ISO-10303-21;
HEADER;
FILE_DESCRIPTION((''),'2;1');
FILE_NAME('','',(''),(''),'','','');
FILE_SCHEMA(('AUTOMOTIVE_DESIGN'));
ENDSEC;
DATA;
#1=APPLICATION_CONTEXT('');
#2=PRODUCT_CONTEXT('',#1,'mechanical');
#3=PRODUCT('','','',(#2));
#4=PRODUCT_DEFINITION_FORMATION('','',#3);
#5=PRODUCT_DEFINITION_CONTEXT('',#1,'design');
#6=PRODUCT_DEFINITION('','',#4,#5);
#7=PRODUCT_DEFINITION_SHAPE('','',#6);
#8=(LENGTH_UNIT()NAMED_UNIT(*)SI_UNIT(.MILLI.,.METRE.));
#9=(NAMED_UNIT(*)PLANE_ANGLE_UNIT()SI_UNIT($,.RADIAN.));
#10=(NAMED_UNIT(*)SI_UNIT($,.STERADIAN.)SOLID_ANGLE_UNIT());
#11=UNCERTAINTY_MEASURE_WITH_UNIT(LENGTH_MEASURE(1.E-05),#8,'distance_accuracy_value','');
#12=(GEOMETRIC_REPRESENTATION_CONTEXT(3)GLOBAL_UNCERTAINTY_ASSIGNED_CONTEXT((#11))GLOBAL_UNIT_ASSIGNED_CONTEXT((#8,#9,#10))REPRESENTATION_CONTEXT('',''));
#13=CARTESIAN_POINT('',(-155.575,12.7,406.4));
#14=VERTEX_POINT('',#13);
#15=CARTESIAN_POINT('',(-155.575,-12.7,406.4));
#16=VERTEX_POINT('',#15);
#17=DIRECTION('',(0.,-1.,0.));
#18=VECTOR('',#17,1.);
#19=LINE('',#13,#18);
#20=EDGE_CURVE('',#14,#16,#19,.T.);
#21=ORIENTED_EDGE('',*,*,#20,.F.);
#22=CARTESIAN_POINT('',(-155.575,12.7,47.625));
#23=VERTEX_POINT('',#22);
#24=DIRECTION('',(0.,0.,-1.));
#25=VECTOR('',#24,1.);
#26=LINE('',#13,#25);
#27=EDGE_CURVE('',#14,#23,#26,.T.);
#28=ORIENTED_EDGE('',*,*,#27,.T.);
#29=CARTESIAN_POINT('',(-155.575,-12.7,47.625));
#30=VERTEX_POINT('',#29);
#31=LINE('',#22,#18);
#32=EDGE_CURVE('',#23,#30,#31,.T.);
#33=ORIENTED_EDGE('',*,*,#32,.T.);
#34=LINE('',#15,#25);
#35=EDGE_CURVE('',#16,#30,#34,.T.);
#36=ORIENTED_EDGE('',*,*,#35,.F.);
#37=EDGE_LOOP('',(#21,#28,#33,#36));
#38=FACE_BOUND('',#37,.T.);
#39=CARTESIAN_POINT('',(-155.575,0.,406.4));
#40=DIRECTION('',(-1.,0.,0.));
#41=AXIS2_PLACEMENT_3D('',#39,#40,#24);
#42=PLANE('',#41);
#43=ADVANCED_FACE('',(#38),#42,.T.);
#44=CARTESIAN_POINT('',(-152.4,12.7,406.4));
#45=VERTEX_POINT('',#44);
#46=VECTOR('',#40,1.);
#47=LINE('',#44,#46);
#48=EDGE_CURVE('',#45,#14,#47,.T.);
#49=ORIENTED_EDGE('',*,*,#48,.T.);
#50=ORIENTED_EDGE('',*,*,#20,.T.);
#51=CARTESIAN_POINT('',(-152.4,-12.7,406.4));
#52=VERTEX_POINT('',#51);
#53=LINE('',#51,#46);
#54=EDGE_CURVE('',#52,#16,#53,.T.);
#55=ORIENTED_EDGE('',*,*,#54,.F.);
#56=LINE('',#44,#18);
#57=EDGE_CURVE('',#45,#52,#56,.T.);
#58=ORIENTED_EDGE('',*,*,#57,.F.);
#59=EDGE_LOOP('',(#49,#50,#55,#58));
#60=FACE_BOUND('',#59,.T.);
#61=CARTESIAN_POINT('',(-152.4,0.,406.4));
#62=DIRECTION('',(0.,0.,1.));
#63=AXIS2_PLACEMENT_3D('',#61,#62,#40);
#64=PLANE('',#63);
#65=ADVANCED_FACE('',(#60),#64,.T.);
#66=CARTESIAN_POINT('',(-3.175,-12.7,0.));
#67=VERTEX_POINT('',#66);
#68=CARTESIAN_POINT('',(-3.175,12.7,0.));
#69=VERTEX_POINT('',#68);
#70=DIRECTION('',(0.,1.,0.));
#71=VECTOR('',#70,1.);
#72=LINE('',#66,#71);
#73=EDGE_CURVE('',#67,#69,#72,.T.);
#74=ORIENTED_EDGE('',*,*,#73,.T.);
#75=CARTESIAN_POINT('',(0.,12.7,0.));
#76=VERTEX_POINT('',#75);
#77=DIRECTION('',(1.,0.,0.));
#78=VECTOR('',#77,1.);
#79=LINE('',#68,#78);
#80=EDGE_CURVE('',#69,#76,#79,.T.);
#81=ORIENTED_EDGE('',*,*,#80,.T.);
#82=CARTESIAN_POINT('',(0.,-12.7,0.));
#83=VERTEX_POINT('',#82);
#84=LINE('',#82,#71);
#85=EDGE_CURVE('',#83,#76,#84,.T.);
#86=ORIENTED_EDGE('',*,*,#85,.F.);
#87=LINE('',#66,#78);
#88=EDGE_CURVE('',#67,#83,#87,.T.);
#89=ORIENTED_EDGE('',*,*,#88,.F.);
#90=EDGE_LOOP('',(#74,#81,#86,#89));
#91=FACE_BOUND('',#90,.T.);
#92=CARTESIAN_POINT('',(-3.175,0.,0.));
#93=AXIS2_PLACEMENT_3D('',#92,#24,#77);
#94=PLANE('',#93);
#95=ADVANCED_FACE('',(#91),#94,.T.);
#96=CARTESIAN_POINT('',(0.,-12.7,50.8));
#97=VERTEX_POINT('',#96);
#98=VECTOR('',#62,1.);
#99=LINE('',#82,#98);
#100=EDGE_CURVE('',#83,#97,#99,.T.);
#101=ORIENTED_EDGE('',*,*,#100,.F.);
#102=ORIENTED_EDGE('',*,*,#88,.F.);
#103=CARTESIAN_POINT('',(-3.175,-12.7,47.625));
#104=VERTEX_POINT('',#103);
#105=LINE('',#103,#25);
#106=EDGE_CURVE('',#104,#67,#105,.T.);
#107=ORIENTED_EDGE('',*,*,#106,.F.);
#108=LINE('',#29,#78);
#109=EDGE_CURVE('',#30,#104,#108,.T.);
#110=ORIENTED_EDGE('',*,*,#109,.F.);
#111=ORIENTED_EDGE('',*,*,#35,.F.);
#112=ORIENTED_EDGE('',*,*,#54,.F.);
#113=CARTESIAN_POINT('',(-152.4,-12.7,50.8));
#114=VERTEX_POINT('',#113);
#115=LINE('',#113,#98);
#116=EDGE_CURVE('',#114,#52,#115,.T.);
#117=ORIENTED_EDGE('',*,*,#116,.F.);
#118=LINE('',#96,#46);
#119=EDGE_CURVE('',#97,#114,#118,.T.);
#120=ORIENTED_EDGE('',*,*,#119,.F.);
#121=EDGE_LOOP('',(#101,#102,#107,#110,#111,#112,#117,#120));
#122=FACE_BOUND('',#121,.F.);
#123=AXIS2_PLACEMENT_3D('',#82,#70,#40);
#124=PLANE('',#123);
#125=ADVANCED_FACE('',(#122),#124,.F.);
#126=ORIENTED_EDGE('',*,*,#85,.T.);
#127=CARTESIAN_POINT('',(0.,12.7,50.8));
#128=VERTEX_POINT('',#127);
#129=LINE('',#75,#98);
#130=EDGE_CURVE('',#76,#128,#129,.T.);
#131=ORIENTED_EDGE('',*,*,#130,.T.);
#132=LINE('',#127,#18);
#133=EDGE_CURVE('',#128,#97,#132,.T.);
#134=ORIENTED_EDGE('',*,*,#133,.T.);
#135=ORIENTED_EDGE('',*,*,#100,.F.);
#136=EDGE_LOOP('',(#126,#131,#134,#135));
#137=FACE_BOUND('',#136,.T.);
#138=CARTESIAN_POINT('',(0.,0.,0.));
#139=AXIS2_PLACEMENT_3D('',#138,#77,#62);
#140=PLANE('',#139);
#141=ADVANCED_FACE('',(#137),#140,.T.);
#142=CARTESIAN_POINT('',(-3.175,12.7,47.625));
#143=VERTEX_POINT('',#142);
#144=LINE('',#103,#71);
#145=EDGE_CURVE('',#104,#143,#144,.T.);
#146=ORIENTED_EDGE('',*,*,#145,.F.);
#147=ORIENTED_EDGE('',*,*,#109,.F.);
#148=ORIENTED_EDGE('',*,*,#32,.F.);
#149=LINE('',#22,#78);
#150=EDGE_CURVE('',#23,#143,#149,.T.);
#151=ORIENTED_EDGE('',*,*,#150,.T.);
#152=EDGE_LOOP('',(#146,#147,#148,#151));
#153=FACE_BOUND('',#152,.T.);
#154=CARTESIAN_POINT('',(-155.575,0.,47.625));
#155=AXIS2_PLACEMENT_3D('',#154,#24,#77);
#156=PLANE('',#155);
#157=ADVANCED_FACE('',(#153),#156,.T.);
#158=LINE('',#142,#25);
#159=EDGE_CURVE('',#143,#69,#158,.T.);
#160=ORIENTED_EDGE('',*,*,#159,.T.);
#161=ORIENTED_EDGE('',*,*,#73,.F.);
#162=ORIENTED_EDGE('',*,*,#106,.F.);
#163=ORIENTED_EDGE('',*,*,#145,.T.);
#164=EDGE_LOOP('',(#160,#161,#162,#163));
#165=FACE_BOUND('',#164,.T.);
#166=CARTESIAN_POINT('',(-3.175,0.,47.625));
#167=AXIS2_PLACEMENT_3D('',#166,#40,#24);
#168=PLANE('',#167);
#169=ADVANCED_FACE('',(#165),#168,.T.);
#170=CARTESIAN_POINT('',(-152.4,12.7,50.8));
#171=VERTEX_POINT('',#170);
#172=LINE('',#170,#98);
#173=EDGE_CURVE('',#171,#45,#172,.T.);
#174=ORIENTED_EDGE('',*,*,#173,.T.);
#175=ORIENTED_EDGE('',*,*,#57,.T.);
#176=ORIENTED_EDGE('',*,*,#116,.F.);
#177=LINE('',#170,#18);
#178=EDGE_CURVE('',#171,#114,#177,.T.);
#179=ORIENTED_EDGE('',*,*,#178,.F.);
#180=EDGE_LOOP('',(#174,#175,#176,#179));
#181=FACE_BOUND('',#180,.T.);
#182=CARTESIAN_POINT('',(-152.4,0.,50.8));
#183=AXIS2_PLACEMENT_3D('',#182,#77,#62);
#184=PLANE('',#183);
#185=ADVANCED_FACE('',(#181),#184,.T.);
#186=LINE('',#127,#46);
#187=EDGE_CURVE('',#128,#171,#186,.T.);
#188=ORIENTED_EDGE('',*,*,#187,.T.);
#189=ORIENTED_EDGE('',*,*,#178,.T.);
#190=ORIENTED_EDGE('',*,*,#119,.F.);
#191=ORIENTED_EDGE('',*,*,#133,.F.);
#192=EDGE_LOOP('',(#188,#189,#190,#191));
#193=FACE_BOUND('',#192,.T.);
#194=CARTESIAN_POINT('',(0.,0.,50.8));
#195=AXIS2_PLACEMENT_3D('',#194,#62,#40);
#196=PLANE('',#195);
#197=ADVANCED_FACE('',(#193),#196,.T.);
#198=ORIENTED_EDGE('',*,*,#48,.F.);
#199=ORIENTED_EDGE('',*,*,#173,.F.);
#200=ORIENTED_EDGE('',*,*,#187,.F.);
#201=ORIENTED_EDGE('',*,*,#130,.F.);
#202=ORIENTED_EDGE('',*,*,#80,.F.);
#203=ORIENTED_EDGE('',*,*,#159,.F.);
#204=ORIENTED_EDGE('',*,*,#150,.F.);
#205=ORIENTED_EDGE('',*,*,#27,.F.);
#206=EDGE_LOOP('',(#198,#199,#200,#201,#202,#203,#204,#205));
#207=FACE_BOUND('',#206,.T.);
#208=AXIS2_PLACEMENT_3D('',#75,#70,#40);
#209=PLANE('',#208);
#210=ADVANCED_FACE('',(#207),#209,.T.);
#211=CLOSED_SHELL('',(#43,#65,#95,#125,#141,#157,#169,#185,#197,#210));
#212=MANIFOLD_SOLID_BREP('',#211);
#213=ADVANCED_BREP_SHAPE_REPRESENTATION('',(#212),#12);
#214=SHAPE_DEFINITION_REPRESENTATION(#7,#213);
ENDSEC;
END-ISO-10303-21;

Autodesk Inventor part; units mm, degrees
ref_plane "YZ Plane" through (0, 0, 0) normal (1, 0, 0) x (0, 1, 0)
ref_plane "XZ Plane" through (0, 0, 0) normal (0, 1, 0) x (-1, 0, 0)
ref_plane "XY Plane" through (0, 0, 0) normal (0, 0, 1) x (1, 0, 0)
sketch "Sketch1" plane through (0, 0, 0) normal (0, 1, 0) x (-1, 0, 0)
  line L0 (0, 0) -> (0, 50.8)
  line L1 (0, 50.8) -> (152.4, 50.8)
  line L2 (152.4, 50.8) -> (152.4, 406.4)
  line L3 (152.4, 406.4) -> (155.575, 406.4)
  line L4 (155.575, 406.4) -> (155.575, 47.625)
  line L5 (155.575, 47.625) -> (3.175, 47.625)
  line L6 (3.175, 47.625) -> (3.175, 0)
  line L7 (3.175, 0) -> (0, 0)
  dimension "material_thickness" = 3.175
  dimension "d1" = 3.175
  dimension "d2" = 3.175
  dimension "total_length" = 406.4
  dimension "arm_length" = 152.4
  dimension "d5" = 50.8
extrude "Extrusion1" add sketch "Sketch1" along normal mid plane 25.4
equation "\"d1\" = material_thickness"
equation "\"d2\" = material_thickness"
properties part number "1 x 6 x 16 x 1_8" material "Aluminum 6061"
